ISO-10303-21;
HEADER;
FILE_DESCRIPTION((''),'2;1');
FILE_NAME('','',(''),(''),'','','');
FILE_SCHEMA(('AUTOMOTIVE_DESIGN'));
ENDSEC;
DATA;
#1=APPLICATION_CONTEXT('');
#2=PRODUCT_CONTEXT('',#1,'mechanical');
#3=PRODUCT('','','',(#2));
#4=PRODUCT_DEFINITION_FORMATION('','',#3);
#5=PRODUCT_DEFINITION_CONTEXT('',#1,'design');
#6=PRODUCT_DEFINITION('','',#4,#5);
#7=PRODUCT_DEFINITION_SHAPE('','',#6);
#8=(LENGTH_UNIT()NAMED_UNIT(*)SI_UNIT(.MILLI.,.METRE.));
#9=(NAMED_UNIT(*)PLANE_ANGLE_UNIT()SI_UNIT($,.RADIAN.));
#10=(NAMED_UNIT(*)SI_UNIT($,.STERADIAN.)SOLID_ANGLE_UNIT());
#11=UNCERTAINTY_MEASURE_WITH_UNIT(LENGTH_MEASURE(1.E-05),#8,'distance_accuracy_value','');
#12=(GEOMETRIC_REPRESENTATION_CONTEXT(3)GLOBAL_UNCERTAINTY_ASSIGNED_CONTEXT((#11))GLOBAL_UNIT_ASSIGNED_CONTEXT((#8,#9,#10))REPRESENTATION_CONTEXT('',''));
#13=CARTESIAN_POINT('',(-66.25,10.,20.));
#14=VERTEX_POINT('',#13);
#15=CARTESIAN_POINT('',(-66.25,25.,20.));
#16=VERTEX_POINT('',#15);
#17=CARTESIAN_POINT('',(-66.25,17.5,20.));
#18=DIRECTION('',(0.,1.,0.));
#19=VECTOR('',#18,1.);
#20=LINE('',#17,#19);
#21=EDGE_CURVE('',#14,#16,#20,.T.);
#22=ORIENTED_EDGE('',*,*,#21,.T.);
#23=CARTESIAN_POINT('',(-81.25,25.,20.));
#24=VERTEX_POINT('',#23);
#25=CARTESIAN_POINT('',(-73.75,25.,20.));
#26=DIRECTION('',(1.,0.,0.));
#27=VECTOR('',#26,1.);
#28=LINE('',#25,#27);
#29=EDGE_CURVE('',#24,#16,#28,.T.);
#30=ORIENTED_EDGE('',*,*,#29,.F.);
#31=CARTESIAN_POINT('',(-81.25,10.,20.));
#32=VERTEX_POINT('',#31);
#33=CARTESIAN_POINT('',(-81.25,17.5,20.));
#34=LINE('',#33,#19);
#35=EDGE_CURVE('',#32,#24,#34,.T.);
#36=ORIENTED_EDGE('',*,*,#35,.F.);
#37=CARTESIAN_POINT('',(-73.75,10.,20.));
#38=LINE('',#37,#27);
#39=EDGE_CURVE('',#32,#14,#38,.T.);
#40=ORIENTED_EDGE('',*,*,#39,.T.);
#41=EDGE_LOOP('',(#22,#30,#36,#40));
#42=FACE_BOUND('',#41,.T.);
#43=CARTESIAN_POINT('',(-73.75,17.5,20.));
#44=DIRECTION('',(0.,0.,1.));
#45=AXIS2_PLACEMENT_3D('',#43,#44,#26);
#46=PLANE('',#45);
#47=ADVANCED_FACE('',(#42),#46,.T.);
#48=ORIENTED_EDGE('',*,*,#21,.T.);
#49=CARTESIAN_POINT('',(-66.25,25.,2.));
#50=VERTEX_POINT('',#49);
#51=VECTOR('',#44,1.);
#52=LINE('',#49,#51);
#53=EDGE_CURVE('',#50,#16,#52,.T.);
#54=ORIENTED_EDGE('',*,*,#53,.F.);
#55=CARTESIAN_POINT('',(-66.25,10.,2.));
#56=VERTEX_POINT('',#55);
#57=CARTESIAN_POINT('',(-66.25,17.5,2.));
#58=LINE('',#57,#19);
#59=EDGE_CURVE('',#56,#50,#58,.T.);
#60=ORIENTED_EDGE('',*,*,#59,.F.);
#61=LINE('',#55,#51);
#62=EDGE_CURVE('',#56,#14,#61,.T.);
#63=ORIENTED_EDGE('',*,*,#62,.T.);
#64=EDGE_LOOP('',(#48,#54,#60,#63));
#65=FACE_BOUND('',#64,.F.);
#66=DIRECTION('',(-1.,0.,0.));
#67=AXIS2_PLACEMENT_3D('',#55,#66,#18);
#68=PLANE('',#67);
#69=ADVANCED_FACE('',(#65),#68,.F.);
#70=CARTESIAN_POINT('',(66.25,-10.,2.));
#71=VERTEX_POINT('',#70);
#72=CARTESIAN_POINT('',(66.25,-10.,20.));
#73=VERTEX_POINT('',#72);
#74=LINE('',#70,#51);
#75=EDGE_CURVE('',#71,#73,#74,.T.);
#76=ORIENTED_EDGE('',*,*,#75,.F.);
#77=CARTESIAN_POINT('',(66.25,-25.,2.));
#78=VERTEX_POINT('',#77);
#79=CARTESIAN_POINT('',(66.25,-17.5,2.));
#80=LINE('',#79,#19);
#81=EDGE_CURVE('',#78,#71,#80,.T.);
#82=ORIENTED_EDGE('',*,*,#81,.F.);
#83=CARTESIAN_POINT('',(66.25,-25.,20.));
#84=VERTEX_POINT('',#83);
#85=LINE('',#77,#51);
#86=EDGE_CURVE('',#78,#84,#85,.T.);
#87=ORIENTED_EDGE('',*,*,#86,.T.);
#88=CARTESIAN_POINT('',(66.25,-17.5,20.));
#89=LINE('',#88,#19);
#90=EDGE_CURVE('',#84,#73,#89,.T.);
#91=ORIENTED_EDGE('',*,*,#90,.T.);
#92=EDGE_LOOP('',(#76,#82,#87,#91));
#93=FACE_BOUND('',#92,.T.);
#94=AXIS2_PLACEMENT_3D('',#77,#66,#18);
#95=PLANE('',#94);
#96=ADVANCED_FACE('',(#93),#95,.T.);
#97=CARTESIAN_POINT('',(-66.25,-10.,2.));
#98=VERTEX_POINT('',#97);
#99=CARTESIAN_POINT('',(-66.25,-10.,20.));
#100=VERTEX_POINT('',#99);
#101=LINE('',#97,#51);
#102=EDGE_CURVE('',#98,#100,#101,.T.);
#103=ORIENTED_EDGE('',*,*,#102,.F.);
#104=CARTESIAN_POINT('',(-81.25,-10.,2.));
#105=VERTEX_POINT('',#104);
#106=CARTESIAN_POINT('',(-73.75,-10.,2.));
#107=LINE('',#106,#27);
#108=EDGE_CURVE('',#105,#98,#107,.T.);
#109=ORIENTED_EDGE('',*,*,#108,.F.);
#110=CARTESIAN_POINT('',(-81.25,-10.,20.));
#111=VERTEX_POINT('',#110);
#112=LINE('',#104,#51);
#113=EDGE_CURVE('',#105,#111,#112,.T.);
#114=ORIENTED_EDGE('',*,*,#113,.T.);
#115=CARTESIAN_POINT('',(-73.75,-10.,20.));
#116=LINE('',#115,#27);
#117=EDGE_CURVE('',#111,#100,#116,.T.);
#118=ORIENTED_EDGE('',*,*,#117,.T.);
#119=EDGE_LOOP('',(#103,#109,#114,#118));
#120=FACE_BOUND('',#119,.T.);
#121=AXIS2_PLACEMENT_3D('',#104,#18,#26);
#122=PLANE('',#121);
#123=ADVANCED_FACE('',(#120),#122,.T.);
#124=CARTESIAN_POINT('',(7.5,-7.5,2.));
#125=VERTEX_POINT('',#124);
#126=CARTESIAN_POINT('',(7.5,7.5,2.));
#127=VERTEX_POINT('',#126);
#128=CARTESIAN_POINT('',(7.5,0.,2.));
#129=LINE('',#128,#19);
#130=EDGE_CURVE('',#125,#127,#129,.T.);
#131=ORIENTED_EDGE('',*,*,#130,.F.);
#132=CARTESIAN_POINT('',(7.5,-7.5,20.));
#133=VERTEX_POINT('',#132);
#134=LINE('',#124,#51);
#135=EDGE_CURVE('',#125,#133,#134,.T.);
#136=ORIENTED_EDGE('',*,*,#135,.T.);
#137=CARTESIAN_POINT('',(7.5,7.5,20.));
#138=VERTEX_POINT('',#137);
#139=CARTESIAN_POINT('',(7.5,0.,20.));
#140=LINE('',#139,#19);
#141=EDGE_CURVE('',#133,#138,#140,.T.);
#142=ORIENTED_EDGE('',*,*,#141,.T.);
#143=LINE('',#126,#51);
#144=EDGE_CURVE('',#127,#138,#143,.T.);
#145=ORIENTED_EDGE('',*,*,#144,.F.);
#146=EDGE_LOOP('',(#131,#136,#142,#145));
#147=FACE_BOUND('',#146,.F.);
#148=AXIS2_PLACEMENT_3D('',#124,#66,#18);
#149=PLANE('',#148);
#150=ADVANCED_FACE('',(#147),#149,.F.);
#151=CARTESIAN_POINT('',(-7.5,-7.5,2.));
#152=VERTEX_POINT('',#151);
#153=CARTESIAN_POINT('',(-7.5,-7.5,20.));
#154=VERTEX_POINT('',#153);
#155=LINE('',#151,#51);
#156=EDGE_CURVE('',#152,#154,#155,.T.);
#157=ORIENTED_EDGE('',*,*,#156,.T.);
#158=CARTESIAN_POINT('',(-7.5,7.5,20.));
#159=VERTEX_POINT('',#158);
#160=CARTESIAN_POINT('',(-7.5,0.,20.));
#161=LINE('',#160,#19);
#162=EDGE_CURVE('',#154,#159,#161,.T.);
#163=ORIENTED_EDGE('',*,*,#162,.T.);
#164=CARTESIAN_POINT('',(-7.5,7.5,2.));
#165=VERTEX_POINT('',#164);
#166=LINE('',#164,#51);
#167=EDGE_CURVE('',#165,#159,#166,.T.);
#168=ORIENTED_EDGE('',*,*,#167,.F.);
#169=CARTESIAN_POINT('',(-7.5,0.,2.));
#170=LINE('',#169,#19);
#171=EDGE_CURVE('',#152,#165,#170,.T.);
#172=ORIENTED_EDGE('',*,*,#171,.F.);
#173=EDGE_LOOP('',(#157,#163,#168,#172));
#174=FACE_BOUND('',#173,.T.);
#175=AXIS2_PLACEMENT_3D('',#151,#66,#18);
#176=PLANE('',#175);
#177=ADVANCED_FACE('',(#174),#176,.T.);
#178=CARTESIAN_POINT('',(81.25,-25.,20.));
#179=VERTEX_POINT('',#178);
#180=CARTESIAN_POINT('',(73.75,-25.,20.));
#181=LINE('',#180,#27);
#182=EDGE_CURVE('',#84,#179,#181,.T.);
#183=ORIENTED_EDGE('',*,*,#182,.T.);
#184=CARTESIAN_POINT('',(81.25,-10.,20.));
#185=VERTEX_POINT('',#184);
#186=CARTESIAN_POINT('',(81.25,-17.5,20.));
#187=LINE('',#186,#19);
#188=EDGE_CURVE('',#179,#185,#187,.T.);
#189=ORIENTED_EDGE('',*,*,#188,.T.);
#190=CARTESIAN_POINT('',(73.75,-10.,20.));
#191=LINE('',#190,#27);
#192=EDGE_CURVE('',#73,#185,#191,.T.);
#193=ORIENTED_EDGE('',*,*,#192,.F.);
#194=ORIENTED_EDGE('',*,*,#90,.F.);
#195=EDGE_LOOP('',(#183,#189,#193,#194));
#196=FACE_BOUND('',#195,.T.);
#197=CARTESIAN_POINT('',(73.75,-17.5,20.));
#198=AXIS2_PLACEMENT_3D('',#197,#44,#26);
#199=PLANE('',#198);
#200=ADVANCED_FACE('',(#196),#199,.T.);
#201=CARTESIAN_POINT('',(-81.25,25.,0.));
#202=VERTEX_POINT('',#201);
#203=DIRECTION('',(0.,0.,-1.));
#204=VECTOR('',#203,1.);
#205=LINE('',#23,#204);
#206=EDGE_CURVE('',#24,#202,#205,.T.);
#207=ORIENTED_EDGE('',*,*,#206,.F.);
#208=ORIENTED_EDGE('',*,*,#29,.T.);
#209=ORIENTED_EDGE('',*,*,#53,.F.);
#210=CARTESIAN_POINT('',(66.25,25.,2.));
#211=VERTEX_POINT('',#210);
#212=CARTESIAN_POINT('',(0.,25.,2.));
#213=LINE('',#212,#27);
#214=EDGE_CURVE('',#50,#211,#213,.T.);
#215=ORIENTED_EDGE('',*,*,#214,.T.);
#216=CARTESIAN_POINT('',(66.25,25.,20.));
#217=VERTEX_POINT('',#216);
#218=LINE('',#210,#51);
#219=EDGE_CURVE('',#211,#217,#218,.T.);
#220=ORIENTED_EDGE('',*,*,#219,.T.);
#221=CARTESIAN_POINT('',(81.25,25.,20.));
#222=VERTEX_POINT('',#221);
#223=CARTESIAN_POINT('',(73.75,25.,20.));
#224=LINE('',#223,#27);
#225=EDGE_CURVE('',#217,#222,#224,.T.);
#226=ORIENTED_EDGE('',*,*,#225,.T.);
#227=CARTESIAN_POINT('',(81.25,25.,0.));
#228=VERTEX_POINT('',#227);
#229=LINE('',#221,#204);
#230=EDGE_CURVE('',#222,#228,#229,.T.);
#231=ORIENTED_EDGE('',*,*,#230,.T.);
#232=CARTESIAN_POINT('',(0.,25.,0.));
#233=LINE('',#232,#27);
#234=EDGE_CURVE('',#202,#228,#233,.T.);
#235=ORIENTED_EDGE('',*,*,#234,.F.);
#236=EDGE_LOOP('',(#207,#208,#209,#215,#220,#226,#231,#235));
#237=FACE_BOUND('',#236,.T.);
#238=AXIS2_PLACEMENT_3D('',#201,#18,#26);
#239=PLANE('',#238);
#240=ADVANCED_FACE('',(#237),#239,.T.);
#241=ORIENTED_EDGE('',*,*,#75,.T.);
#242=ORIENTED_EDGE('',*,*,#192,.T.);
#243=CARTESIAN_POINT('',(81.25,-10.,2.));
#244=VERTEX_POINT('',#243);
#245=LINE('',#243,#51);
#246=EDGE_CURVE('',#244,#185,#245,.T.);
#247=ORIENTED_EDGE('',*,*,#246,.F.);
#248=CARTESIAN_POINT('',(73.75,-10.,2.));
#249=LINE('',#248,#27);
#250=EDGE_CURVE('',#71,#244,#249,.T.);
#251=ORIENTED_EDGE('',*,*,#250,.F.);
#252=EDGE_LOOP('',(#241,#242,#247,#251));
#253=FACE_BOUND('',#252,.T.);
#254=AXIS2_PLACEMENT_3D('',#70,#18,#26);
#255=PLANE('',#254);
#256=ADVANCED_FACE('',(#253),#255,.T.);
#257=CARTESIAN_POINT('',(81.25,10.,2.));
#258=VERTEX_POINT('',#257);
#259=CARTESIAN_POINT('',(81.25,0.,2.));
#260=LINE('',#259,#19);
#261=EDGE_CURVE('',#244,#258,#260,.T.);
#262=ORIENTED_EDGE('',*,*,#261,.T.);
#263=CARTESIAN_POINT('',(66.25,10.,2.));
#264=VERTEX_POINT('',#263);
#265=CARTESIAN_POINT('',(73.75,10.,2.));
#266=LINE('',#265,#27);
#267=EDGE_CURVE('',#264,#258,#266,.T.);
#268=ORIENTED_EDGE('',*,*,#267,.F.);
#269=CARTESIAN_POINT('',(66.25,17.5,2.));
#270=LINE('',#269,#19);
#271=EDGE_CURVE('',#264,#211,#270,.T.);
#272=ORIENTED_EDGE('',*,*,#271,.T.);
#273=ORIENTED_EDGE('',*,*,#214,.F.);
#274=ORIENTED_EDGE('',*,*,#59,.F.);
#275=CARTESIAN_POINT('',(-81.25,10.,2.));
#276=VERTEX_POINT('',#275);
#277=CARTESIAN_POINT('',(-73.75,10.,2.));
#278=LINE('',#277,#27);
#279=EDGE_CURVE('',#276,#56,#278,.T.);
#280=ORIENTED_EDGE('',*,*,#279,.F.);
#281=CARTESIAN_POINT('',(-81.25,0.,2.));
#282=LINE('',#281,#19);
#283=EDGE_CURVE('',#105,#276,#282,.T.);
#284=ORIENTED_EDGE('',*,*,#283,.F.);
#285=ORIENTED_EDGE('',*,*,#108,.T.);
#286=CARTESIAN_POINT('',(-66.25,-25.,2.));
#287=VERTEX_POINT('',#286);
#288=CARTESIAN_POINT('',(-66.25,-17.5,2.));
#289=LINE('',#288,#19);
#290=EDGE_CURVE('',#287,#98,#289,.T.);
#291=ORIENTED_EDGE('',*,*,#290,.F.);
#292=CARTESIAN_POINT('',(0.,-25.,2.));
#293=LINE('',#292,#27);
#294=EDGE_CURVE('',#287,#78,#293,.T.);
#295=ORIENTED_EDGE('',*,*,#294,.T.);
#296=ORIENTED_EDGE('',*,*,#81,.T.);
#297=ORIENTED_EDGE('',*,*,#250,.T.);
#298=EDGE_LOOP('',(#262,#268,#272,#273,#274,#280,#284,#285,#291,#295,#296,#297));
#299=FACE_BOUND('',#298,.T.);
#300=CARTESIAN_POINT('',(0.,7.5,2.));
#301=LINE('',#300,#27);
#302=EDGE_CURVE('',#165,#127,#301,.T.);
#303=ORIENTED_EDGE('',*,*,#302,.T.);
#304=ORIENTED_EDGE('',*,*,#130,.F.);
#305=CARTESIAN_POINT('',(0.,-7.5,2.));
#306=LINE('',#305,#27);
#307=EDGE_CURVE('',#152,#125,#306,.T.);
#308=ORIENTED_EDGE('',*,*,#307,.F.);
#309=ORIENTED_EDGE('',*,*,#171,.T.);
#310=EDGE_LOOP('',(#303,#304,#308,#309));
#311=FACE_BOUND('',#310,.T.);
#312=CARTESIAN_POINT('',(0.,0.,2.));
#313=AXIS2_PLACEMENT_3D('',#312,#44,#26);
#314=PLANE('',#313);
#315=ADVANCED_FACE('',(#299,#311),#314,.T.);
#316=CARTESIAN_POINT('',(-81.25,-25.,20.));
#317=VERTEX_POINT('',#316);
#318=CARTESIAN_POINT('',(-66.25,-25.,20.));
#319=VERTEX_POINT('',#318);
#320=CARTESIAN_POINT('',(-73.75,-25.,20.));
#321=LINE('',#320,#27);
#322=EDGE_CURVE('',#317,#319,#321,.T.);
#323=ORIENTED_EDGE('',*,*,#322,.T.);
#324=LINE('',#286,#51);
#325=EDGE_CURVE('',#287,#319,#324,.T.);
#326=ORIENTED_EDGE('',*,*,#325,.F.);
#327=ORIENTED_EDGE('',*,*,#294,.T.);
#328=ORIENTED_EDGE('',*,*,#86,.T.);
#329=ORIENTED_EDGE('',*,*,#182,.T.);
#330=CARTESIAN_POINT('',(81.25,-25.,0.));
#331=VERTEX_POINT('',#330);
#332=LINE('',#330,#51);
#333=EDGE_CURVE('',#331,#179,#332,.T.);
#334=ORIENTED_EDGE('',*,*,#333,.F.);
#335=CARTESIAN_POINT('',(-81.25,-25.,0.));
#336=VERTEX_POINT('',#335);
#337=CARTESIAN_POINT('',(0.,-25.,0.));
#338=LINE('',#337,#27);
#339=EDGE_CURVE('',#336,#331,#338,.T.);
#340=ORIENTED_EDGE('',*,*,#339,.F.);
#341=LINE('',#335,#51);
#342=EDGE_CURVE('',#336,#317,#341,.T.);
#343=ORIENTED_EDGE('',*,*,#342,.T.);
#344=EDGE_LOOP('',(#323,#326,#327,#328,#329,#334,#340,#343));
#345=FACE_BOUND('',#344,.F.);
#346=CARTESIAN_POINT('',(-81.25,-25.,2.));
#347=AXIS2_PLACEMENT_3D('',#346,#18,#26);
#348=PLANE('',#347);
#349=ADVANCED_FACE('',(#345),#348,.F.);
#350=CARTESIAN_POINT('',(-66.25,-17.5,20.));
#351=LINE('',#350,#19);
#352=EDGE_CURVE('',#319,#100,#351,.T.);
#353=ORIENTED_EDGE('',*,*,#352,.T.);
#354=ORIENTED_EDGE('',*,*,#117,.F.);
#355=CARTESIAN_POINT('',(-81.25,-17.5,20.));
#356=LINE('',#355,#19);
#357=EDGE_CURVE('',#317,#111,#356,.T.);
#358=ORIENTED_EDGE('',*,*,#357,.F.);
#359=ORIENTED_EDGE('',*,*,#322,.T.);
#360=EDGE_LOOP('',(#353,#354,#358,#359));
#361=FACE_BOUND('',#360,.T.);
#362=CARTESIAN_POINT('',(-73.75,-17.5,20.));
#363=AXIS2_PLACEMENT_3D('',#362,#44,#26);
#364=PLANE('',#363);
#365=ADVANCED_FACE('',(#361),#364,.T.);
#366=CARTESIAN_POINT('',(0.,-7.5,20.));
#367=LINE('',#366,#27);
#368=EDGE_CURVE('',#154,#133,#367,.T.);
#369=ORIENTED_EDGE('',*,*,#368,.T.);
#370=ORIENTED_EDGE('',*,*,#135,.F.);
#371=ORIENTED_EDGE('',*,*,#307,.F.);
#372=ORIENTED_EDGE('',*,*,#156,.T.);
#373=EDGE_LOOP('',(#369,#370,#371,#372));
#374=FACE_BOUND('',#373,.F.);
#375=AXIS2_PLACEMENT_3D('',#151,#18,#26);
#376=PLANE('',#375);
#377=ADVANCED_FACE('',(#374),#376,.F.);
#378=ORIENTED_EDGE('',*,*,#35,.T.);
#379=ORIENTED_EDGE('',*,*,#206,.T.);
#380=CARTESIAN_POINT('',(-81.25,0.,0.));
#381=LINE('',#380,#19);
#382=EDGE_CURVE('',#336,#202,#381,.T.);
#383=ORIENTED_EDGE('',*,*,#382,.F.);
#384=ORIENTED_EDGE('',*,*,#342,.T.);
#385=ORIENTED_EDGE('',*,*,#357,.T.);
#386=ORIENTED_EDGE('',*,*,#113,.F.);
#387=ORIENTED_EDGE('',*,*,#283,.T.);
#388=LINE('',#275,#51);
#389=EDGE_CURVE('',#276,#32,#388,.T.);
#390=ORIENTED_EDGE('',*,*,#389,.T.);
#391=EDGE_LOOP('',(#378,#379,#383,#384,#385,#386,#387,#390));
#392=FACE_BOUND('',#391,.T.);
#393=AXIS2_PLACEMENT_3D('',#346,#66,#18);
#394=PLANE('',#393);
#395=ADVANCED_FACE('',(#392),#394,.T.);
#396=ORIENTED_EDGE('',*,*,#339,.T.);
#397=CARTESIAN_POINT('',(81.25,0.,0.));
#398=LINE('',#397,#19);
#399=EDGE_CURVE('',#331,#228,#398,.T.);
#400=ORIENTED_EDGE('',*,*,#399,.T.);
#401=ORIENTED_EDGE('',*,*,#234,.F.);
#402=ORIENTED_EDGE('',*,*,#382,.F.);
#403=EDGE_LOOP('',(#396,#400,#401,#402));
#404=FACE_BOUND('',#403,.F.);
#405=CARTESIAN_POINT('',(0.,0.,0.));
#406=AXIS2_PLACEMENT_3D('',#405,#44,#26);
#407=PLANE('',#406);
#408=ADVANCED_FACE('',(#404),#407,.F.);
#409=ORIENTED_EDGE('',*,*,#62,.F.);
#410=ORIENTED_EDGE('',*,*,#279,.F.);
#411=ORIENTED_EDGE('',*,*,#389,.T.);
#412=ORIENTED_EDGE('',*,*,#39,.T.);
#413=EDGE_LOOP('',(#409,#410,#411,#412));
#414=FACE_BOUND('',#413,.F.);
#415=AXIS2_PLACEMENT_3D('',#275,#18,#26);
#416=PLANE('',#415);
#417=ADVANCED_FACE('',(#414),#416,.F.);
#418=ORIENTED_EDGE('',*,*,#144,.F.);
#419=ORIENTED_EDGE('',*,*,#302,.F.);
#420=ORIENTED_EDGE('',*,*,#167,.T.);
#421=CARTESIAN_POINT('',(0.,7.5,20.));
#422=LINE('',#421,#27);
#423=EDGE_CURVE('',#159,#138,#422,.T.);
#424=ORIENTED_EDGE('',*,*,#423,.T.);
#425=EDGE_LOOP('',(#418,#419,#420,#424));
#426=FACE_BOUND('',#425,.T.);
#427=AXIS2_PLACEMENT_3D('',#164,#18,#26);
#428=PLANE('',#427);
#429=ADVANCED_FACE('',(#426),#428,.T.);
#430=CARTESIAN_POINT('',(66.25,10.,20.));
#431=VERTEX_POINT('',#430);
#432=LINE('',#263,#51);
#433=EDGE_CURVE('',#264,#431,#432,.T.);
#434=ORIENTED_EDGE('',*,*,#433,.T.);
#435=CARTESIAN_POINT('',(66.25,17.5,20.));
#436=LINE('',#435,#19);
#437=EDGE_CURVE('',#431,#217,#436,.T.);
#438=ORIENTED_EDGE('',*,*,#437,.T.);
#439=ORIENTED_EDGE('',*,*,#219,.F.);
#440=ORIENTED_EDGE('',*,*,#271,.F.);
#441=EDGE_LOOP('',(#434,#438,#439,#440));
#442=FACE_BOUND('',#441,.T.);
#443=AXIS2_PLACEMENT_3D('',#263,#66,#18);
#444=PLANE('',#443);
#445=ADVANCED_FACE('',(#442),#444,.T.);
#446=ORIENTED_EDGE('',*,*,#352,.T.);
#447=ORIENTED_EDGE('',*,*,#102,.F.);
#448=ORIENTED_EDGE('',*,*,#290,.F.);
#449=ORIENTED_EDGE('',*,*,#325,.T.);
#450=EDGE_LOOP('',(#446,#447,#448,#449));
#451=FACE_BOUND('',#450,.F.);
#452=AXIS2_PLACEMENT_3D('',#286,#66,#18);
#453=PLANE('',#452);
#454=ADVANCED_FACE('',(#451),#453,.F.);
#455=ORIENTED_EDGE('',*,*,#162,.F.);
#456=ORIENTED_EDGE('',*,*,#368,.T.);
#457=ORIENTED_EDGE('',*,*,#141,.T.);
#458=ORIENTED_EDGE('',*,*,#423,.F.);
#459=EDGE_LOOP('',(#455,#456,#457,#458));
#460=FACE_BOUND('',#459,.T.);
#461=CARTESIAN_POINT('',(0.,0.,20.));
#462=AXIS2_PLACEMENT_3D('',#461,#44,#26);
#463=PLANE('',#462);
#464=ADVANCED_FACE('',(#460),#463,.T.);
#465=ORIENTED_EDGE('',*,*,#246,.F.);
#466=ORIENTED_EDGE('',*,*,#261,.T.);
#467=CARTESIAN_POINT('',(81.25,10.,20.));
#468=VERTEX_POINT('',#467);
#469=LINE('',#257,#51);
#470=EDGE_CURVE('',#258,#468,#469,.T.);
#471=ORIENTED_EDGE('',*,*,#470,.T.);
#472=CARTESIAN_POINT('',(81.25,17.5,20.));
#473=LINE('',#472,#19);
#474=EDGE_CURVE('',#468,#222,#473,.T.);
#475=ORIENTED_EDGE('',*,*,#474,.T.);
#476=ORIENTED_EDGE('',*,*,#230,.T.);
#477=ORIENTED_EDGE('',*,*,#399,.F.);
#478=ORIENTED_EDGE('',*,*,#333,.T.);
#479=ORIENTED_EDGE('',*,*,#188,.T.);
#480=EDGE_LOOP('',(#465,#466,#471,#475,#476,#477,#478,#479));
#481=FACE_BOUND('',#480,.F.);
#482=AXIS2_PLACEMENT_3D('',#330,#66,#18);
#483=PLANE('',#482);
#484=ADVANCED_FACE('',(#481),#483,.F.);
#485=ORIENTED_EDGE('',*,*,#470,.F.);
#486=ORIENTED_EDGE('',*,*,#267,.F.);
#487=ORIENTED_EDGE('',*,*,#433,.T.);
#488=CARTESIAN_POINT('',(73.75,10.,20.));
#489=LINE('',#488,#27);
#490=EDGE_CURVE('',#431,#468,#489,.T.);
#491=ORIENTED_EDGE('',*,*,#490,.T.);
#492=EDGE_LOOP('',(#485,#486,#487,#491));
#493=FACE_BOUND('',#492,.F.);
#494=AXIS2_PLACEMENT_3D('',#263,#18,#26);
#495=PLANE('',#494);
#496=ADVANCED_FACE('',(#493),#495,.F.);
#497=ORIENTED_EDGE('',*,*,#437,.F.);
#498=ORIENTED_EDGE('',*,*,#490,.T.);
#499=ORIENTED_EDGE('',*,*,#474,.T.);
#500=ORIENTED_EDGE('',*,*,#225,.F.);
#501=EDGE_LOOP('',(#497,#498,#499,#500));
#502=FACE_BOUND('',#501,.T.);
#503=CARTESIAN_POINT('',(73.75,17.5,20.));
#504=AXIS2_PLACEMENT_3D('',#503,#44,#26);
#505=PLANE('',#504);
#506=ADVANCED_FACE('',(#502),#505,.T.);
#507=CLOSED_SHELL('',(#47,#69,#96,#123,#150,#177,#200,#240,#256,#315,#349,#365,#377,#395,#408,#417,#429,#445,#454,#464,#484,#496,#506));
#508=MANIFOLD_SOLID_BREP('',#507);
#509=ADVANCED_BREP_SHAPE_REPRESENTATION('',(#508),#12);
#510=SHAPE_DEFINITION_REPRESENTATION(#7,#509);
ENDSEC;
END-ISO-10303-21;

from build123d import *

# Parameters (mm, degrees)
F0_W     = 162.5
F0_H     = 50
F1_DEPTH = 2
F2_W     = 15
F2_H     = 15
F3_DEPTH = 18


with BuildPart() as f1:
    # F0 (on Top) → F1 (new body)
    with BuildSketch(Plane.XY):
        Rectangle(F0_W, F0_H)
    extrude(amount=F1_DEPTH)

    # F2 (on face) → F3 (join)
    with BuildSketch(Plane.XY.offset(2)):
        with Locations((-73.75, -17.5)):
            Rectangle(F2_W, F2_H)
        with Locations((-73.75, 17.5)):
            Rectangle(F2_W, F2_H)
        with Locations((73.75, 17.5)):
            Rectangle(F2_W, F2_H)
        with Locations((73.75, -17.5)):
            Rectangle(F2_W, F2_H)
        Rectangle(F2_W, F2_H)
    extrude(amount=F3_DEPTH)


solid = f1.part
